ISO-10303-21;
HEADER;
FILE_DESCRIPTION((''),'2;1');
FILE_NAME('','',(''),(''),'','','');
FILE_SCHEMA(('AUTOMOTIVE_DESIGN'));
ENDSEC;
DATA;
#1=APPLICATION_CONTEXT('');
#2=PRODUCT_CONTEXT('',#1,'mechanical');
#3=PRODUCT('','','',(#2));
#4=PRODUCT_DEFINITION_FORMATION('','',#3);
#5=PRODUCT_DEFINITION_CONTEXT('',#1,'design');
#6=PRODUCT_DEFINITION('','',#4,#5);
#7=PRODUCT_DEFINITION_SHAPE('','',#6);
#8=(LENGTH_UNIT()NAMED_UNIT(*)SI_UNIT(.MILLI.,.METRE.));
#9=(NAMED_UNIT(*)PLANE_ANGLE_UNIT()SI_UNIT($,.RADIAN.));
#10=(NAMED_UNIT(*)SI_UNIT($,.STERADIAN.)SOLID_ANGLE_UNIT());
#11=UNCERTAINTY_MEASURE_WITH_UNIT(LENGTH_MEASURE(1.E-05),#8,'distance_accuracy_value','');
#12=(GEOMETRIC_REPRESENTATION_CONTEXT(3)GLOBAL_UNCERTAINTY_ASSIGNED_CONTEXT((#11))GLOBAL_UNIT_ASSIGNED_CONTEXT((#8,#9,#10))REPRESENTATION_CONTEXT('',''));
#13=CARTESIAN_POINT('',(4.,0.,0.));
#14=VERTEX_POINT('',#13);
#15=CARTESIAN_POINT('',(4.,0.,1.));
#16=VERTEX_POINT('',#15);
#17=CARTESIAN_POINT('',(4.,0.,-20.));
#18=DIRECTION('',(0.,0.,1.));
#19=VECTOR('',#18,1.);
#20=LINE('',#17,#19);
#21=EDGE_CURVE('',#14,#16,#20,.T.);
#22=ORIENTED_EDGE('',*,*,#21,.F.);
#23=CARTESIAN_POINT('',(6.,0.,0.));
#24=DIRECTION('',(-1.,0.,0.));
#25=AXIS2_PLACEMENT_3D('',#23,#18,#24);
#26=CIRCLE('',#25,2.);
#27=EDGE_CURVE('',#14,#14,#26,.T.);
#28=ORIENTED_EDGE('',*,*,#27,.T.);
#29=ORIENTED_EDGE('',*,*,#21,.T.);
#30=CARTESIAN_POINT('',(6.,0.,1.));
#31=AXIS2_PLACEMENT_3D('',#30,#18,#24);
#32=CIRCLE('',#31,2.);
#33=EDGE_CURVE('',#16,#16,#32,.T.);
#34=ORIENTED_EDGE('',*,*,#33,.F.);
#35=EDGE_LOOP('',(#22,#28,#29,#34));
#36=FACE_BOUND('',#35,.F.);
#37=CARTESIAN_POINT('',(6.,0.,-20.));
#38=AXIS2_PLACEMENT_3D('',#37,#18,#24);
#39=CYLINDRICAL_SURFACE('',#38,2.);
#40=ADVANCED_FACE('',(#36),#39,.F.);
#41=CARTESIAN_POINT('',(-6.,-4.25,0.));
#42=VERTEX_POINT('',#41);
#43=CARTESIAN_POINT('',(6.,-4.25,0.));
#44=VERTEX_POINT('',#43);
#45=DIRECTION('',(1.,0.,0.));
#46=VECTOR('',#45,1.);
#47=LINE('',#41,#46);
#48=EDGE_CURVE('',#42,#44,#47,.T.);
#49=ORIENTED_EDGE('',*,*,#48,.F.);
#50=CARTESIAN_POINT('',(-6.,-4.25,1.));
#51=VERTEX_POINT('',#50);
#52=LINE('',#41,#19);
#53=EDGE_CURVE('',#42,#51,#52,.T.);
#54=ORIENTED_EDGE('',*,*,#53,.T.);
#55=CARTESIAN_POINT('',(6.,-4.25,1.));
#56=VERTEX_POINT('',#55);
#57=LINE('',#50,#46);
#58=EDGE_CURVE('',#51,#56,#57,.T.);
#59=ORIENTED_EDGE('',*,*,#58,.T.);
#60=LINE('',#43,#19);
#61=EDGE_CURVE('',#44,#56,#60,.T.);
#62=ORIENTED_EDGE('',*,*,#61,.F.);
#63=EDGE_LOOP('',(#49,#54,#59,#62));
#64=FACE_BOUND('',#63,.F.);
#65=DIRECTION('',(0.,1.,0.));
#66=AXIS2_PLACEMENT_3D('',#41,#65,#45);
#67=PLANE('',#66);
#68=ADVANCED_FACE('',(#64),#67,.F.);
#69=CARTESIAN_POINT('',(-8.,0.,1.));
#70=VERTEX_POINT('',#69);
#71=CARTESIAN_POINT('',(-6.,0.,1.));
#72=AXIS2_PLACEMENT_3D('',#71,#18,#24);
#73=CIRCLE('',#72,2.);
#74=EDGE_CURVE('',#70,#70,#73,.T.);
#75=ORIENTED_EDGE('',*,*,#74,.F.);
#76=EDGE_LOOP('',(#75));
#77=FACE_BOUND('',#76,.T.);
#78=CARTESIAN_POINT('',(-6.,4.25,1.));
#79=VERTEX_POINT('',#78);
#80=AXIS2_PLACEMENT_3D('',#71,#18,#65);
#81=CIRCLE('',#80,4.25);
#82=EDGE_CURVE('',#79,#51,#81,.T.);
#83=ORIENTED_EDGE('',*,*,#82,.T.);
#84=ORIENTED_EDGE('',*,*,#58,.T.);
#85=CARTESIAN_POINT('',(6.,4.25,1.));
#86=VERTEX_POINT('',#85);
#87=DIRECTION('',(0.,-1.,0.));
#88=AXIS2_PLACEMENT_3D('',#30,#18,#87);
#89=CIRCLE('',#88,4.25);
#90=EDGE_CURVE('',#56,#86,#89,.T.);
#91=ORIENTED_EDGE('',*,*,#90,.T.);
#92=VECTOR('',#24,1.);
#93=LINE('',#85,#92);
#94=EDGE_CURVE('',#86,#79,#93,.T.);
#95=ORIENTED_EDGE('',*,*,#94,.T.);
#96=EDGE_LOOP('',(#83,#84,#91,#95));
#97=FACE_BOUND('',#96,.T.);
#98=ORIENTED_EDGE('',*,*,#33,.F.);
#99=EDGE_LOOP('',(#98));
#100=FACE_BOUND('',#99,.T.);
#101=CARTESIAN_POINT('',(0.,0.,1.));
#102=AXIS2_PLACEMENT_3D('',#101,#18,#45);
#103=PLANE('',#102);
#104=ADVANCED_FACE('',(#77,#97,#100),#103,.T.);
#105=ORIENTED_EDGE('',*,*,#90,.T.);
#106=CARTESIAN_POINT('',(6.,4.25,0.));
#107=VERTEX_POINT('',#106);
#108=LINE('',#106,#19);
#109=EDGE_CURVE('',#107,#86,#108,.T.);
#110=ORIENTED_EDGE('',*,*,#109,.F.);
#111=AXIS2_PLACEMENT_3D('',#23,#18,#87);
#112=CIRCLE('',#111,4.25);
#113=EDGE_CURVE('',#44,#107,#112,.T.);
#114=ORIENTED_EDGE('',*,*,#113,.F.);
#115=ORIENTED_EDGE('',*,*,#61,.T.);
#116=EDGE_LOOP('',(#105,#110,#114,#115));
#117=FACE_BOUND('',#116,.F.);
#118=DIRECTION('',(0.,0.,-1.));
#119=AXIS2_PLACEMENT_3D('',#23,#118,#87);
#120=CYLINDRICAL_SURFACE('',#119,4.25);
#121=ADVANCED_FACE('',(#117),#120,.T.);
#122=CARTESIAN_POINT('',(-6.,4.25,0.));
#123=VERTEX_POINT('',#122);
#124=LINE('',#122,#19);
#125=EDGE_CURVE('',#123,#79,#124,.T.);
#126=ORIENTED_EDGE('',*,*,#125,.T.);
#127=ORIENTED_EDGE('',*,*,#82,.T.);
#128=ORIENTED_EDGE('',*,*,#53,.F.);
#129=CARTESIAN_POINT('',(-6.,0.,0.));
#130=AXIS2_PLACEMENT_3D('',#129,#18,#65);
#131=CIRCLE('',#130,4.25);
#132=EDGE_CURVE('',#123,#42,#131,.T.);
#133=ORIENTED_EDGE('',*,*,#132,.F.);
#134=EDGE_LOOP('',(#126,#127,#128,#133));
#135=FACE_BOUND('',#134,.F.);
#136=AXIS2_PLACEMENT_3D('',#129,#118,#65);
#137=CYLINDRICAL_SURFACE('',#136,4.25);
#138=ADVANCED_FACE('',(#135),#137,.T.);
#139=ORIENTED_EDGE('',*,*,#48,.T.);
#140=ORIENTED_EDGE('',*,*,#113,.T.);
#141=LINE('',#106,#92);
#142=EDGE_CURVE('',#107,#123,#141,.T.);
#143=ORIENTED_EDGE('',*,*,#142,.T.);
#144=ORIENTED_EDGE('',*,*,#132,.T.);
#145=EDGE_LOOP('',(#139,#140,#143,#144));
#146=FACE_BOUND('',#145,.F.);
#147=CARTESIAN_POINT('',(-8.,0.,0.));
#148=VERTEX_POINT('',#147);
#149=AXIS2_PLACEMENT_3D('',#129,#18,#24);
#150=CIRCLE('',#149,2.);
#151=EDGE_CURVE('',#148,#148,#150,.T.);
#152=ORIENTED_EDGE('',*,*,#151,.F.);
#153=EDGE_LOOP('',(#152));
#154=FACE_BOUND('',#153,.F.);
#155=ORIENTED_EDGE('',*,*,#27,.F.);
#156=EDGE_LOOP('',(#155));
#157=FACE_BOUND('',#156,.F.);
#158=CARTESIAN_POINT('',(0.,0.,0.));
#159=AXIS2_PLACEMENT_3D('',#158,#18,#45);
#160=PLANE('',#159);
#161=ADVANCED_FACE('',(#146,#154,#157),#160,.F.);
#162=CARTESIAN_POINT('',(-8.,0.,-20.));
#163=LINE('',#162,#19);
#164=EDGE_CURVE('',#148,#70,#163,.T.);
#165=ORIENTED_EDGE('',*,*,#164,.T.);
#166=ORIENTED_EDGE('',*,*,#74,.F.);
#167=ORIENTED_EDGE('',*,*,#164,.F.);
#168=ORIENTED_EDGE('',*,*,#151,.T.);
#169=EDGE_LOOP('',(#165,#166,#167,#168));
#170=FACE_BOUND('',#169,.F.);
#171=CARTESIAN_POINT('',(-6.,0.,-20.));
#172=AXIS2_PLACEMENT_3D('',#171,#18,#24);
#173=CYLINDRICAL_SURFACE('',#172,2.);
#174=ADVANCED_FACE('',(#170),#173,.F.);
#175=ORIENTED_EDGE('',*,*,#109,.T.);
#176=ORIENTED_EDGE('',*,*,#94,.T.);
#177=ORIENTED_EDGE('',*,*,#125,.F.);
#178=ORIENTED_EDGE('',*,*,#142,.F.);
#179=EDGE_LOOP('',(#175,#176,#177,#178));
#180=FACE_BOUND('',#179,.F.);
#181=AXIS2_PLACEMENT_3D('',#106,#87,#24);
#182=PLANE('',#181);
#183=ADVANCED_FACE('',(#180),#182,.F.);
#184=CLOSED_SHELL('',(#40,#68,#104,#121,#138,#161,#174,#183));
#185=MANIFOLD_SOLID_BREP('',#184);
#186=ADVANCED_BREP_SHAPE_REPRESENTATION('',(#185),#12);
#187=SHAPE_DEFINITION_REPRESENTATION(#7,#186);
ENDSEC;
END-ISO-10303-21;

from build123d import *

# Parameters (mm, degrees)
F1_DEPTH = 1
F2_D     = 4
F2_DEPTH = 20


with BuildPart() as f1:
    # F0 (on Top) → F1 (new body)
    with BuildSketch(Plane.XY):
        with BuildLine():
            ThreePointArc((-6, 4.25), (-10.25, 0), (-6, -4.25))
            Line((-6, -4.25), (6, -4.25))
            ThreePointArc((6, -4.25), (10.25, 0), (6, 4.25))
            Line((6, 4.25), (-6, 4.25))
        make_face()
    extrude(amount=F1_DEPTH)

    # F2
    with Locations(Plane(origin=(0, 0, 0), x_dir=(1, 0, 0), z_dir=(0, 0, -1))):
        with Locations((-6, 0), (6, 0)):
            Hole(F2_D / 2, depth=F2_DEPTH)


solid = f1.part
